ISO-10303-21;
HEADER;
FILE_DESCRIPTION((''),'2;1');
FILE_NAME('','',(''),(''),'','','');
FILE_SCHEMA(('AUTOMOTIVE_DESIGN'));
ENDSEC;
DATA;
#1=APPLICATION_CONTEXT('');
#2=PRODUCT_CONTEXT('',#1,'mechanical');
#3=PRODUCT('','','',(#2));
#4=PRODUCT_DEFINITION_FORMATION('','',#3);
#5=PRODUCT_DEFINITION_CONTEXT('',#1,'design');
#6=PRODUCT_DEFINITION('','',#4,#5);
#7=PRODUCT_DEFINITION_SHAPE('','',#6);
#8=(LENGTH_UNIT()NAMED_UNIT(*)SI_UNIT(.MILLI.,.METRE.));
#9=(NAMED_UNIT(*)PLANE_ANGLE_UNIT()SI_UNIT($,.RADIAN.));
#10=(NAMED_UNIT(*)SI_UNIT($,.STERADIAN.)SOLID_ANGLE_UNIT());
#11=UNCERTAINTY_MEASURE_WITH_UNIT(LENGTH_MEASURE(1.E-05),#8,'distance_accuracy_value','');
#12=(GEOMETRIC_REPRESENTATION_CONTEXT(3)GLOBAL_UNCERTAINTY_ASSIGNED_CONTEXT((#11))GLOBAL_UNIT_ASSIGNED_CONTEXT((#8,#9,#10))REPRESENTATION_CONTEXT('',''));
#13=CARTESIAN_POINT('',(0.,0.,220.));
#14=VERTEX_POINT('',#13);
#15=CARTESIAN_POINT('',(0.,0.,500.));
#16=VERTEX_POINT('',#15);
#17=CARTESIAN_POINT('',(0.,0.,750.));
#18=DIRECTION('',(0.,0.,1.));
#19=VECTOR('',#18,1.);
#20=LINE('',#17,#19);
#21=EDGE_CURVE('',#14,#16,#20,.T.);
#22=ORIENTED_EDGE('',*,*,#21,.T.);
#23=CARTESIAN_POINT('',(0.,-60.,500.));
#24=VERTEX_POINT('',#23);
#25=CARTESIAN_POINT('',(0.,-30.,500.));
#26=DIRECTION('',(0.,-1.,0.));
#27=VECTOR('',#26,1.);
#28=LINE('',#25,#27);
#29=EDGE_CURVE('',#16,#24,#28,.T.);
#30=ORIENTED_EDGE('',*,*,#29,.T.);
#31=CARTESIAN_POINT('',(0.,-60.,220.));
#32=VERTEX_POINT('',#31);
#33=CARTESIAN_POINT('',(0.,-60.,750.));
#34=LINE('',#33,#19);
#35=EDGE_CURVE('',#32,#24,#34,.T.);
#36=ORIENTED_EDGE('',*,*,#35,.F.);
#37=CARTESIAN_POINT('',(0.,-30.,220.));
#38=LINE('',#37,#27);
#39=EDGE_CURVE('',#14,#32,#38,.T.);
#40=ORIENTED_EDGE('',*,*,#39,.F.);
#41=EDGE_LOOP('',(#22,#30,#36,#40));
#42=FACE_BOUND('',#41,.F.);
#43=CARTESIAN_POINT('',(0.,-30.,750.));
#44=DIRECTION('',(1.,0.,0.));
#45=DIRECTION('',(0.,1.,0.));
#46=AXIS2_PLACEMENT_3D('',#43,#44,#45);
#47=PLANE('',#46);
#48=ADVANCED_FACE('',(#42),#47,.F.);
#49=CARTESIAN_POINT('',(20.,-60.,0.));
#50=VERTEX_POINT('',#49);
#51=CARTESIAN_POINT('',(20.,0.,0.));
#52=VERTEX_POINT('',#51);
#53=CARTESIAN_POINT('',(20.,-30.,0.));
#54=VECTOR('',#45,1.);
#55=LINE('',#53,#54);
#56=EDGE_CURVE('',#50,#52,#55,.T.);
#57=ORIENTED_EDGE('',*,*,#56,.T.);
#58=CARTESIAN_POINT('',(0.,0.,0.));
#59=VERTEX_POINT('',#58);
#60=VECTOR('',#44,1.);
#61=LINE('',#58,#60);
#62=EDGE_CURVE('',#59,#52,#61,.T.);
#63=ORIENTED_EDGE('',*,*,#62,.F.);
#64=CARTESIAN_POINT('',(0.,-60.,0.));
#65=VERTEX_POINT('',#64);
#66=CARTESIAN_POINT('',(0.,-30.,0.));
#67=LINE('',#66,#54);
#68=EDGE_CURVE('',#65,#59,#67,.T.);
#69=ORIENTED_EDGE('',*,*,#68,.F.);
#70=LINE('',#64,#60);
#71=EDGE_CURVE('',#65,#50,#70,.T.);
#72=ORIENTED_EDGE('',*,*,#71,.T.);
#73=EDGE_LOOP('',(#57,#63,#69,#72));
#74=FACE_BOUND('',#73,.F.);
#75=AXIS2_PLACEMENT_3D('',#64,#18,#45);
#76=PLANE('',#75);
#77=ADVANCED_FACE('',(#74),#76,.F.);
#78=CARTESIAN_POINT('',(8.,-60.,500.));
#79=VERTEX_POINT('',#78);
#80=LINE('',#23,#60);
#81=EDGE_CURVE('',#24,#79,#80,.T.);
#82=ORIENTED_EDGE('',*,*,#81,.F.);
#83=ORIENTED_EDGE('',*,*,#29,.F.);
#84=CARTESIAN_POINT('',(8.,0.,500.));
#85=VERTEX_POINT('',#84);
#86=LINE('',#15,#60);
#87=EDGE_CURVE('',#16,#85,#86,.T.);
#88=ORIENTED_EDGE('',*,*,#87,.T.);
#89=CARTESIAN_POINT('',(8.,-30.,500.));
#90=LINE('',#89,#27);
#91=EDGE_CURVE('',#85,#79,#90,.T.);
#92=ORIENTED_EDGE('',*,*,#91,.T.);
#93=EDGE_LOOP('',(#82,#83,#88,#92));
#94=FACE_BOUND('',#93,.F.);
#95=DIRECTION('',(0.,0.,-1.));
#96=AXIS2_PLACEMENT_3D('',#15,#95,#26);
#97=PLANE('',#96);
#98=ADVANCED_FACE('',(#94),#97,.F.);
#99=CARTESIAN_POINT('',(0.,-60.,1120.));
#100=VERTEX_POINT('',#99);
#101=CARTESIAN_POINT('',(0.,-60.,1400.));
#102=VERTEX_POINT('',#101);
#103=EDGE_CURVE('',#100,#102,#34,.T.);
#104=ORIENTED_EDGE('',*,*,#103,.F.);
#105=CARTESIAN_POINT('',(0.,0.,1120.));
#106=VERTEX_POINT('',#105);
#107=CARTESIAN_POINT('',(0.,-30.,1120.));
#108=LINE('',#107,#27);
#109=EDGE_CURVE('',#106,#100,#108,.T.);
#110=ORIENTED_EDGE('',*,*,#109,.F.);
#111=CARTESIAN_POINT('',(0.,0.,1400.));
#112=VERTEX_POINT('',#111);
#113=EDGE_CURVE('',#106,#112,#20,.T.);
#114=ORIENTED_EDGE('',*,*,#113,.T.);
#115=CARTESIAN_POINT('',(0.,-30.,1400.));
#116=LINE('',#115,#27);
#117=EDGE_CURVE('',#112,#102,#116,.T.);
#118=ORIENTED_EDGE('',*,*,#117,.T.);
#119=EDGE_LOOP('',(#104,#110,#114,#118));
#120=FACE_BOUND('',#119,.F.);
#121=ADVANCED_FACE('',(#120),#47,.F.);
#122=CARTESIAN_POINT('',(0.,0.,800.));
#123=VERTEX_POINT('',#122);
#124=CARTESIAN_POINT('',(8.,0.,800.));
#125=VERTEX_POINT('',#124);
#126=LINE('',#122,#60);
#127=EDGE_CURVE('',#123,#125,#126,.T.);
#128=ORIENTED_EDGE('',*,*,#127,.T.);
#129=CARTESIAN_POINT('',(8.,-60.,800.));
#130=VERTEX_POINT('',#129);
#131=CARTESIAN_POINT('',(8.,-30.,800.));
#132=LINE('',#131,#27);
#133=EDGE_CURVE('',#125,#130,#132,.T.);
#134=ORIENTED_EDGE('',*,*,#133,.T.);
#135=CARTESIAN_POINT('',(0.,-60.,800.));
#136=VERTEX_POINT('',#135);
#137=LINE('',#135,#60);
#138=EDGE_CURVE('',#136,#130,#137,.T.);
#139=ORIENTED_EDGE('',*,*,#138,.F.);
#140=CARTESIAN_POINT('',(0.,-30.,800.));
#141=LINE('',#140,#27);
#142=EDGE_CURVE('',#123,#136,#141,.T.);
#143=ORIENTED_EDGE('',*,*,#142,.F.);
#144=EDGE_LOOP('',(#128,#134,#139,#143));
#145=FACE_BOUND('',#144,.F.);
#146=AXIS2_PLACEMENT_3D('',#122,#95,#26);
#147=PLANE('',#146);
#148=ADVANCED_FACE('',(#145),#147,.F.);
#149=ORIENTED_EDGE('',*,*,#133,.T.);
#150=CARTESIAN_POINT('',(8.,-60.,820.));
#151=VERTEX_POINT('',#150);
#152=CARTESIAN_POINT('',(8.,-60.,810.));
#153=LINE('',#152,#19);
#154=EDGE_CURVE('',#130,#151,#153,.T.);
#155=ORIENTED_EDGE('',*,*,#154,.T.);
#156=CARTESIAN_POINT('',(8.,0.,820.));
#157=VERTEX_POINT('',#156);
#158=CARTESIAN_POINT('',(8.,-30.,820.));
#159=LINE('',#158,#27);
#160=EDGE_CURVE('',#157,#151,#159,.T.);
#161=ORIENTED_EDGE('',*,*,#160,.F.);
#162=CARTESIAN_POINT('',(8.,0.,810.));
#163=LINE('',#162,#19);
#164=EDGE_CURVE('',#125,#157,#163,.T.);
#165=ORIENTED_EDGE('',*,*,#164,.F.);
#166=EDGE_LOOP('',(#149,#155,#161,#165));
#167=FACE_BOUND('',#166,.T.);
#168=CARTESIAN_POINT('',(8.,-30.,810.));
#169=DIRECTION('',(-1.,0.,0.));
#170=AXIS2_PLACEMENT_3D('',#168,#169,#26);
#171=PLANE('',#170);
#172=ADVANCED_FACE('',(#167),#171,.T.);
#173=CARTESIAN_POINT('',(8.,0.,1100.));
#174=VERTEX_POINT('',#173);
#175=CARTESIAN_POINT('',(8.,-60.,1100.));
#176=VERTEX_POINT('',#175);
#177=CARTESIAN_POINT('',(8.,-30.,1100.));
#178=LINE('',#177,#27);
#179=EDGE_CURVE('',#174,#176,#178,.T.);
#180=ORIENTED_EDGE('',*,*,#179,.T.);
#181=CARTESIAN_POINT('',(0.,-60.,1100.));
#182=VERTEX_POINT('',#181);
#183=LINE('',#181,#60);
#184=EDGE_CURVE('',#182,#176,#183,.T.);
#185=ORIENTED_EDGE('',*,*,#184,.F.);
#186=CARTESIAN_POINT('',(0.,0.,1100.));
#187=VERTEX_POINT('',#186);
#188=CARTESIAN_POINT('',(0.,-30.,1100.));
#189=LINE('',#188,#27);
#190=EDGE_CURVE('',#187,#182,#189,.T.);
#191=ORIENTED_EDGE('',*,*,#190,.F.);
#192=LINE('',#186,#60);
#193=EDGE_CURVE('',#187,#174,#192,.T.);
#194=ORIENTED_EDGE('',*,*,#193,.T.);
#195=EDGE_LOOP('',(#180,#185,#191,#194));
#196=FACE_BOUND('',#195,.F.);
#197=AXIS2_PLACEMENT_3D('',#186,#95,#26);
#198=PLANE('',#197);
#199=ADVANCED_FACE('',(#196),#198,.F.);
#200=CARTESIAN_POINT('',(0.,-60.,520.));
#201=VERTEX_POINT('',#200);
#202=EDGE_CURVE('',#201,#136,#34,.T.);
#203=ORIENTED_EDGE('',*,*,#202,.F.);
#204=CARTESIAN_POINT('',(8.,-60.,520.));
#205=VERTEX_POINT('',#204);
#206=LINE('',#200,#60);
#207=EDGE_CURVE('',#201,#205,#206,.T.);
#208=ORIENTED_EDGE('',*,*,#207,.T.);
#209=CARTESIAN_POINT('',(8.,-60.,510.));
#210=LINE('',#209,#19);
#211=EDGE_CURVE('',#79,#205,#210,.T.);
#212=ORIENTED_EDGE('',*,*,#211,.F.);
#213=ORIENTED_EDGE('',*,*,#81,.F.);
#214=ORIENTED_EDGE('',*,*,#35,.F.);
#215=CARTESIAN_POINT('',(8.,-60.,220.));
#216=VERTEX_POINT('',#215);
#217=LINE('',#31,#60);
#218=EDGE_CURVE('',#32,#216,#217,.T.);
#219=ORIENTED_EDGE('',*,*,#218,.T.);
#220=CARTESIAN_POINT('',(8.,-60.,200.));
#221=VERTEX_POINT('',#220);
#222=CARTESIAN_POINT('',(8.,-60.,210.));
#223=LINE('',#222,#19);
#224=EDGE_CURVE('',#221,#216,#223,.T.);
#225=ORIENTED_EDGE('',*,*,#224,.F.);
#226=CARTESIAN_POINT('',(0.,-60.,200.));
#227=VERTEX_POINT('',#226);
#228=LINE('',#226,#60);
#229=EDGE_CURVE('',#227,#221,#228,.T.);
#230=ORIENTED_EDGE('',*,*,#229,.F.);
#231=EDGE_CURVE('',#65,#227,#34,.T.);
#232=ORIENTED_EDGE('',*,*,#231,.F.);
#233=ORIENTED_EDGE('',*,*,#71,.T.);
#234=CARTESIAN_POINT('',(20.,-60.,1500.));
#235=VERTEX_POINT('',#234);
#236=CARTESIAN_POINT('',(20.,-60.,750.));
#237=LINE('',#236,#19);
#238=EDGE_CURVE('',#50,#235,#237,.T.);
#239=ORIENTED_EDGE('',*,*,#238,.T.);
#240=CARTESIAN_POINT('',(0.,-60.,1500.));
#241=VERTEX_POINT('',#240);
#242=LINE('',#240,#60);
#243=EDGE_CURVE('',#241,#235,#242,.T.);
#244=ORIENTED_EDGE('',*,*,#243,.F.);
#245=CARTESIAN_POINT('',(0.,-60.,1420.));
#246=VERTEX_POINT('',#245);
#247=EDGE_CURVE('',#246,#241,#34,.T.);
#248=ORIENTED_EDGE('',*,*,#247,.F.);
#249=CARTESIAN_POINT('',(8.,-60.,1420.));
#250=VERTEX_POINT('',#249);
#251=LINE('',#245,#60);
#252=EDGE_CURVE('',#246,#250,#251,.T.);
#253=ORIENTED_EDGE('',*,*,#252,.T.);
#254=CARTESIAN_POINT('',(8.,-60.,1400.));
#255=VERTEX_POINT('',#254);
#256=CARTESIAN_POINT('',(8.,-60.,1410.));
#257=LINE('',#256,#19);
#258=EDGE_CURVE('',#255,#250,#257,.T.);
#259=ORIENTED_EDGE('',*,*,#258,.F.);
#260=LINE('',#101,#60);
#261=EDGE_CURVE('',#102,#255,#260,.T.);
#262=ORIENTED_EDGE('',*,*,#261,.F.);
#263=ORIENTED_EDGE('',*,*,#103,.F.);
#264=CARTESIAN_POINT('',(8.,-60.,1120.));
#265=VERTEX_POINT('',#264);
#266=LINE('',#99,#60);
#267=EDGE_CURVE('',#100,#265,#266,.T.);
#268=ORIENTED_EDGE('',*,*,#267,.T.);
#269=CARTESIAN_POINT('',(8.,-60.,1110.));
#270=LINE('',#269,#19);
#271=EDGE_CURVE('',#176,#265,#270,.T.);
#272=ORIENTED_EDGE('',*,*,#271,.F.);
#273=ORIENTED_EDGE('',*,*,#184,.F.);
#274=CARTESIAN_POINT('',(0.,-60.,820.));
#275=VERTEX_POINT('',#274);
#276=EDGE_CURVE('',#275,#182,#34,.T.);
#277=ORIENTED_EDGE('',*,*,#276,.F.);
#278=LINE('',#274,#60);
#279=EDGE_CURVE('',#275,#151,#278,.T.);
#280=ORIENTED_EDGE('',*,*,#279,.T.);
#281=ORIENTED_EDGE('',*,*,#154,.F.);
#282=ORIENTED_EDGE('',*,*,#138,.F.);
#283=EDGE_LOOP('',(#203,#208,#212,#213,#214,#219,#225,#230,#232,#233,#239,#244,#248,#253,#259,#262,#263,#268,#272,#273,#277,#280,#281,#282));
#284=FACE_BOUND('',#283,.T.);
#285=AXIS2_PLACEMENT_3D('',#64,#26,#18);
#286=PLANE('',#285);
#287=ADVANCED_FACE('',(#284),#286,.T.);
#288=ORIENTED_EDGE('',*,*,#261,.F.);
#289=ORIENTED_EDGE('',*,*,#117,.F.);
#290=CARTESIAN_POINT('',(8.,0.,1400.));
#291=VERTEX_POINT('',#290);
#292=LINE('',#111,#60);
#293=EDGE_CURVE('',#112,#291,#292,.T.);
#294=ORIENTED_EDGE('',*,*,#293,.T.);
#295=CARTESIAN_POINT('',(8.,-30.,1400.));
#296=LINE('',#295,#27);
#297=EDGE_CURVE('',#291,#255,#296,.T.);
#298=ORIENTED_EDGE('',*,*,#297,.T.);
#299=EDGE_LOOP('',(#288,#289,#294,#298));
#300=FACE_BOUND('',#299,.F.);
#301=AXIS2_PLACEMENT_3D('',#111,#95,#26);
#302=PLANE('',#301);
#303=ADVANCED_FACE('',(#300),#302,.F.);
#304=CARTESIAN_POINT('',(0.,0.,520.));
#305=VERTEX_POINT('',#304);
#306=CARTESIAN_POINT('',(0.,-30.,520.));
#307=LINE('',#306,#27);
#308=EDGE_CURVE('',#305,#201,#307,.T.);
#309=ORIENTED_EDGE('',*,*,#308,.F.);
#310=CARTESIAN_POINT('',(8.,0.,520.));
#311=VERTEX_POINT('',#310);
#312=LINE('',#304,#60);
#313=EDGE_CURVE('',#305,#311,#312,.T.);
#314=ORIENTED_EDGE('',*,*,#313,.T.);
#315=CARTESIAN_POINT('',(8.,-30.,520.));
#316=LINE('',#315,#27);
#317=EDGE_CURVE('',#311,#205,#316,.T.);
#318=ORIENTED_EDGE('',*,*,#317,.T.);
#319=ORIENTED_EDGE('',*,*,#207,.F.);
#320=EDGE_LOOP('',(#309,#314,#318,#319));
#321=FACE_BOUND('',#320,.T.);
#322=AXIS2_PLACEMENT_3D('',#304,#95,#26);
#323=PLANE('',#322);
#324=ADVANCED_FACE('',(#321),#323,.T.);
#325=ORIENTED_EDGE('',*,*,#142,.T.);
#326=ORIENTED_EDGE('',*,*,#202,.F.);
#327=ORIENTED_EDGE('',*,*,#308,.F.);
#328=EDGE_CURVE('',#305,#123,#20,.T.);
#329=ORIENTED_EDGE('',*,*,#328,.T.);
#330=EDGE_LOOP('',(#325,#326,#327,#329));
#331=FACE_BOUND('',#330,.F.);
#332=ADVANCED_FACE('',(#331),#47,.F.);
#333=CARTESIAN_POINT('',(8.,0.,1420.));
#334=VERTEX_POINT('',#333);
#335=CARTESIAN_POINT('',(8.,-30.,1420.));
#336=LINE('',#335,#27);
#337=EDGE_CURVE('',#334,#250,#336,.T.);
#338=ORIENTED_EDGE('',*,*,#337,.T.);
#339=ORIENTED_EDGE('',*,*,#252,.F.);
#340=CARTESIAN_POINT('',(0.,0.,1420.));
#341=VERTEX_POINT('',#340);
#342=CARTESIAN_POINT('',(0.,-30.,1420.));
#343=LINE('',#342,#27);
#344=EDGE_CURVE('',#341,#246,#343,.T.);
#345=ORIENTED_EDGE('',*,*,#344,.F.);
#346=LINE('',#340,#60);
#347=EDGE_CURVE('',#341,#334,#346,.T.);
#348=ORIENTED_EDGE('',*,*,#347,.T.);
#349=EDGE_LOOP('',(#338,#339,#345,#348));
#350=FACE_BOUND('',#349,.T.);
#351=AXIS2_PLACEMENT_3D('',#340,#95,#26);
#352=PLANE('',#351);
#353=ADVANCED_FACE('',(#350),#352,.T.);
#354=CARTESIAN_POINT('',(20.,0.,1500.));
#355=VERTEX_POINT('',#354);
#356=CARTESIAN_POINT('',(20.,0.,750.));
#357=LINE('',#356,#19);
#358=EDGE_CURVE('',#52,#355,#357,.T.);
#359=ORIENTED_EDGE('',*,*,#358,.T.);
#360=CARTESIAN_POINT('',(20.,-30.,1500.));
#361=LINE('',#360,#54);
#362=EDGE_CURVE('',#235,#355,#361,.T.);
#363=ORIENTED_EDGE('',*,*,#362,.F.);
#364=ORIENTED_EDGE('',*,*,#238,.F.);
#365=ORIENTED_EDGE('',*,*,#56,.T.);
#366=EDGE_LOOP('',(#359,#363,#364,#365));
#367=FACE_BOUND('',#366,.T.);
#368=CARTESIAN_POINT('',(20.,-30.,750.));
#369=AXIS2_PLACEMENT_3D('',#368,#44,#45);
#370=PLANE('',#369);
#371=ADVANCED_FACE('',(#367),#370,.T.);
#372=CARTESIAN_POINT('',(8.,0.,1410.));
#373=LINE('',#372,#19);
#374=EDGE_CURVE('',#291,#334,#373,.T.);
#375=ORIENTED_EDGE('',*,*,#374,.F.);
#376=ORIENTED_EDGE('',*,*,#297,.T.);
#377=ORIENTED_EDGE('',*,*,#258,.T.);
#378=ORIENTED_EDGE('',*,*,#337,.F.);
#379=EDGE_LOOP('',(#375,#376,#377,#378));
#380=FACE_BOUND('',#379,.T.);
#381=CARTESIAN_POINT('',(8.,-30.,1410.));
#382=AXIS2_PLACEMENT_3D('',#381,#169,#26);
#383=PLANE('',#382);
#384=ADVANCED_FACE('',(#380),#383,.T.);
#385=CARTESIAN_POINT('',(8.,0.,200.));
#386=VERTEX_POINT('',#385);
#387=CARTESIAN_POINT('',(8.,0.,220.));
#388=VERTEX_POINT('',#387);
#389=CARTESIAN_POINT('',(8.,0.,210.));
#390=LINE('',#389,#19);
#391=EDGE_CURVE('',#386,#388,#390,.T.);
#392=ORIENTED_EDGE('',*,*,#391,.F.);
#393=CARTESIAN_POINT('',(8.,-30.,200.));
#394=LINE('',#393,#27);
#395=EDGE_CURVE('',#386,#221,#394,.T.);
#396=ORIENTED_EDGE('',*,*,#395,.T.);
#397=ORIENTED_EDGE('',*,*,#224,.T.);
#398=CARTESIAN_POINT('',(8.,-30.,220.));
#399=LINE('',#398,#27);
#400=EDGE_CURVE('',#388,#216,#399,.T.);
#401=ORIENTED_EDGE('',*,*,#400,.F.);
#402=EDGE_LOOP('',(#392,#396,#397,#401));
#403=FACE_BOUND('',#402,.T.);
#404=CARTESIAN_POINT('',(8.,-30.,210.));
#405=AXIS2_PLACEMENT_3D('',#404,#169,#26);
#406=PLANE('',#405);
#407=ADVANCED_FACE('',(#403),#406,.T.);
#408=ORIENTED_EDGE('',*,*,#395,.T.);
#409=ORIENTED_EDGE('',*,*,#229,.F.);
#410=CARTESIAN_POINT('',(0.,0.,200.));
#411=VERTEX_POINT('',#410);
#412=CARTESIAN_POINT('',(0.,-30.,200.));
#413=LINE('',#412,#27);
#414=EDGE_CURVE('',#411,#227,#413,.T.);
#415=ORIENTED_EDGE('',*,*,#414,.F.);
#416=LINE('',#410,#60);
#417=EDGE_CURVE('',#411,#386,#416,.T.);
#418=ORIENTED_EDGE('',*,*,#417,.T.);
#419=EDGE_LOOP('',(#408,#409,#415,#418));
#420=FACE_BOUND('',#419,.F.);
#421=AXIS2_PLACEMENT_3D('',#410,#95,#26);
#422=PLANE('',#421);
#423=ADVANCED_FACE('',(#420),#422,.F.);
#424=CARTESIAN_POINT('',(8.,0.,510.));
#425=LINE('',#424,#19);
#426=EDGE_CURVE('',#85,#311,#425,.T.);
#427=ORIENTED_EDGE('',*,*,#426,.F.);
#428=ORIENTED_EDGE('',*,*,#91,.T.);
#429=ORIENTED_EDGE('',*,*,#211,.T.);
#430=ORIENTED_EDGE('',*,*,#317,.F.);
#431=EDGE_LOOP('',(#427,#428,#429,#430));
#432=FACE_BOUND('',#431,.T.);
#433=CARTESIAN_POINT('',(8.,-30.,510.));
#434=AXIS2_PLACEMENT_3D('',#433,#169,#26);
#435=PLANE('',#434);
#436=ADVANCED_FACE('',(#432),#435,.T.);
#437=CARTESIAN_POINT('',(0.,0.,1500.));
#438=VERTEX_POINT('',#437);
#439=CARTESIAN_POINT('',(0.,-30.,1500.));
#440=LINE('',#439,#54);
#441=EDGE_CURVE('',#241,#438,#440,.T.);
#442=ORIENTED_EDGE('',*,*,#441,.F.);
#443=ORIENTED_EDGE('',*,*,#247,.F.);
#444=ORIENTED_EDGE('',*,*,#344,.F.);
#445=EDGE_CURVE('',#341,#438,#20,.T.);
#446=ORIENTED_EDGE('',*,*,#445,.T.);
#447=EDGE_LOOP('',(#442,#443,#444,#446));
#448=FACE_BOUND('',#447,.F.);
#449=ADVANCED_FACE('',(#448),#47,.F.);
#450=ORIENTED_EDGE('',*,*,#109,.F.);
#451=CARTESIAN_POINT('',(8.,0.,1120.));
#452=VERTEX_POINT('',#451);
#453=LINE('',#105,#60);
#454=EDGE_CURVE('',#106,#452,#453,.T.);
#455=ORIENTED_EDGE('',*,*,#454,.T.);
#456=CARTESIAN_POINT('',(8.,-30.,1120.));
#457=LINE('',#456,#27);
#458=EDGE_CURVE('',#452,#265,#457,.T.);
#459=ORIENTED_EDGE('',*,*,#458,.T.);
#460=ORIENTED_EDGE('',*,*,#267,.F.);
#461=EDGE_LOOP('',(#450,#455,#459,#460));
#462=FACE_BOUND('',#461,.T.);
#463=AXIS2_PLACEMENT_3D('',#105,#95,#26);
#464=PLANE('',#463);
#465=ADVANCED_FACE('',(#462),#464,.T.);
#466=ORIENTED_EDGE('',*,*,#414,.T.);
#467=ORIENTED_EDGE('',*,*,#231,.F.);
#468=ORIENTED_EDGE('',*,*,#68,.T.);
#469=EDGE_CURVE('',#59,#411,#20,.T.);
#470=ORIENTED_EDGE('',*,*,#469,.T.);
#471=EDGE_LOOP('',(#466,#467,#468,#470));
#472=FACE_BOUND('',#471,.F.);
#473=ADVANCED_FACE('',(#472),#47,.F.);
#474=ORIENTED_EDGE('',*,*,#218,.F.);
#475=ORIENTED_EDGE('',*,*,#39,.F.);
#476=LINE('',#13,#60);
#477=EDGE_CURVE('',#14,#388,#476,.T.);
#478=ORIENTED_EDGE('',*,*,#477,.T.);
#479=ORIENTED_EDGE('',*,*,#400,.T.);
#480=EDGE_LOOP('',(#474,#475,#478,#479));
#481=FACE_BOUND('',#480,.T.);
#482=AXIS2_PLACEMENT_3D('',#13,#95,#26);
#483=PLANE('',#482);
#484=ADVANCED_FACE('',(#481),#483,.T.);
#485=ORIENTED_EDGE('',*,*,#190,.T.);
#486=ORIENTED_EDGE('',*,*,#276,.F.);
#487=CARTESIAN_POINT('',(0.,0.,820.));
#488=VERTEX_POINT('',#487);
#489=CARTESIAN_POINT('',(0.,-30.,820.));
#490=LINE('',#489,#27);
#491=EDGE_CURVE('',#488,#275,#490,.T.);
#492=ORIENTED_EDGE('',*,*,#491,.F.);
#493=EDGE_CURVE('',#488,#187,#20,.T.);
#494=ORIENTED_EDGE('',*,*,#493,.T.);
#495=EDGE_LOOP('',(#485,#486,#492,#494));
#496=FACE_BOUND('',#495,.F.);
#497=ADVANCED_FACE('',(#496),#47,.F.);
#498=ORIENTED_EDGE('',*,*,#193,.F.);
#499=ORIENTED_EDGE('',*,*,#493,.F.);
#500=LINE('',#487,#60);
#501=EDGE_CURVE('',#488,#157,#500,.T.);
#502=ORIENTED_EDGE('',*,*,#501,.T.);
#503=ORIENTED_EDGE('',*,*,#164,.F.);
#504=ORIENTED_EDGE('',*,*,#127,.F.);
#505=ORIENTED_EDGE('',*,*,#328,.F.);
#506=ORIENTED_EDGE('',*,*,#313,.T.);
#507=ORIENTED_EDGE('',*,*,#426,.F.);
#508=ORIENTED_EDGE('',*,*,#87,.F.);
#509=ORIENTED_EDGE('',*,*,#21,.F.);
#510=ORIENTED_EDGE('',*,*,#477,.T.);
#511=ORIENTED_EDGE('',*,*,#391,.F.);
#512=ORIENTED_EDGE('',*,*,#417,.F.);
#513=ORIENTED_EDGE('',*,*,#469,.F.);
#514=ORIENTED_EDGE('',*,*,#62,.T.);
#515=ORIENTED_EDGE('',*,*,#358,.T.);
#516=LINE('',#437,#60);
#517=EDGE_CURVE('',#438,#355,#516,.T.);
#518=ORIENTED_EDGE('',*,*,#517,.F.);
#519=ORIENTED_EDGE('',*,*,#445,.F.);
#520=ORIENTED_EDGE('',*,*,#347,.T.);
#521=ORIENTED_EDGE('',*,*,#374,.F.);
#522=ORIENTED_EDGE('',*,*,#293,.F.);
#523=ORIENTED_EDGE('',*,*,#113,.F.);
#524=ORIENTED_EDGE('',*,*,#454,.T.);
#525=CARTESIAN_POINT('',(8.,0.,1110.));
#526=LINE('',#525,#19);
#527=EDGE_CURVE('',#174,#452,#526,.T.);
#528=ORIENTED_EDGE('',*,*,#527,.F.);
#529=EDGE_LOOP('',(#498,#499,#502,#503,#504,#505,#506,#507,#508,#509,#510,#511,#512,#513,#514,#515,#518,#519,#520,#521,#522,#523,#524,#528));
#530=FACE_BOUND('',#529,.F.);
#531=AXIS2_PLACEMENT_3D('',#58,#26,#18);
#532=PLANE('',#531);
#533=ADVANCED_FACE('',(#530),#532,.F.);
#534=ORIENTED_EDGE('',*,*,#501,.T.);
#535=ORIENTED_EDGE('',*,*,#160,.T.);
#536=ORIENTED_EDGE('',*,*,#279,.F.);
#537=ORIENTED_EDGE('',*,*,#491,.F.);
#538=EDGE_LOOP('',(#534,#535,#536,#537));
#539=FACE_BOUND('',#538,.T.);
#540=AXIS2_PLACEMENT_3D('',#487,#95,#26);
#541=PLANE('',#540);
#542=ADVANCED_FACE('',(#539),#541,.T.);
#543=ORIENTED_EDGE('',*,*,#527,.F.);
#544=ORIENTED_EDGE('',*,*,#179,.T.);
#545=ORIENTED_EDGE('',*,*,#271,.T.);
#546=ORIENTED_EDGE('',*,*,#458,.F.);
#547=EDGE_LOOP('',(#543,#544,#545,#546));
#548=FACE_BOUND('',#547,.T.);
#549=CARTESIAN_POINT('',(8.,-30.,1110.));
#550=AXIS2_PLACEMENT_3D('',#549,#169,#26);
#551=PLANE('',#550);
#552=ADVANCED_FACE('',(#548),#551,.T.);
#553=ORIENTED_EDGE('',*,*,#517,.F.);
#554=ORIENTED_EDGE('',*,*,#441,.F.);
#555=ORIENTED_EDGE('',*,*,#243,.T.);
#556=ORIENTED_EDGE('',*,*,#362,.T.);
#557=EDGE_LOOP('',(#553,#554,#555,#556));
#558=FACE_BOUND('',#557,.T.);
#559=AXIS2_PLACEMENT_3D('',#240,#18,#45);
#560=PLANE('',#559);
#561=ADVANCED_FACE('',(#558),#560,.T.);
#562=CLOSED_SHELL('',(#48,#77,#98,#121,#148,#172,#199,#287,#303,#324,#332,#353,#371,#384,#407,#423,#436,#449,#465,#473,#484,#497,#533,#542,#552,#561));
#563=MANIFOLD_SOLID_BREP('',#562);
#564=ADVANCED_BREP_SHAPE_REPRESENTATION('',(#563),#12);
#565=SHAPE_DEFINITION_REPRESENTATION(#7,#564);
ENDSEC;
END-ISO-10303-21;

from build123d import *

# Parameters (mm, degrees)
F0_W     = 60
F0_H     = 1500
F1_DEPTH = 20
F2_W     = 60
F2_H     = 20
F3_DEPTH = 8


with BuildPart() as f1:
    # F0 (on Right) → F1 (new body)
    with BuildSketch(Plane.YZ):
        with Locations((-30, 750)):
            Rectangle(F0_W, F0_H)
    extrude(amount=F1_DEPTH)

    # F2 (on face) → F3 (cut)
    with BuildSketch(Plane(origin=(0, 0, 0), x_dir=(0, -1, 0), z_dir=(-1, 0, 0))):
        with Locations((30, 210)):
            Rectangle(F2_W, F2_H)
        with Locations((30, 510)):
            Rectangle(F2_W, F2_H)
        with Locations((30, 810)):
            Rectangle(F2_W, F2_H)
        with Locations((30, 1110)):
            Rectangle(F2_W, F2_H)
        with Locations((30, 1410)):
            Rectangle(F2_W, F2_H)
    extrude(amount=-F3_DEPTH, mode=Mode.SUBTRACT)


solid = f1.part
